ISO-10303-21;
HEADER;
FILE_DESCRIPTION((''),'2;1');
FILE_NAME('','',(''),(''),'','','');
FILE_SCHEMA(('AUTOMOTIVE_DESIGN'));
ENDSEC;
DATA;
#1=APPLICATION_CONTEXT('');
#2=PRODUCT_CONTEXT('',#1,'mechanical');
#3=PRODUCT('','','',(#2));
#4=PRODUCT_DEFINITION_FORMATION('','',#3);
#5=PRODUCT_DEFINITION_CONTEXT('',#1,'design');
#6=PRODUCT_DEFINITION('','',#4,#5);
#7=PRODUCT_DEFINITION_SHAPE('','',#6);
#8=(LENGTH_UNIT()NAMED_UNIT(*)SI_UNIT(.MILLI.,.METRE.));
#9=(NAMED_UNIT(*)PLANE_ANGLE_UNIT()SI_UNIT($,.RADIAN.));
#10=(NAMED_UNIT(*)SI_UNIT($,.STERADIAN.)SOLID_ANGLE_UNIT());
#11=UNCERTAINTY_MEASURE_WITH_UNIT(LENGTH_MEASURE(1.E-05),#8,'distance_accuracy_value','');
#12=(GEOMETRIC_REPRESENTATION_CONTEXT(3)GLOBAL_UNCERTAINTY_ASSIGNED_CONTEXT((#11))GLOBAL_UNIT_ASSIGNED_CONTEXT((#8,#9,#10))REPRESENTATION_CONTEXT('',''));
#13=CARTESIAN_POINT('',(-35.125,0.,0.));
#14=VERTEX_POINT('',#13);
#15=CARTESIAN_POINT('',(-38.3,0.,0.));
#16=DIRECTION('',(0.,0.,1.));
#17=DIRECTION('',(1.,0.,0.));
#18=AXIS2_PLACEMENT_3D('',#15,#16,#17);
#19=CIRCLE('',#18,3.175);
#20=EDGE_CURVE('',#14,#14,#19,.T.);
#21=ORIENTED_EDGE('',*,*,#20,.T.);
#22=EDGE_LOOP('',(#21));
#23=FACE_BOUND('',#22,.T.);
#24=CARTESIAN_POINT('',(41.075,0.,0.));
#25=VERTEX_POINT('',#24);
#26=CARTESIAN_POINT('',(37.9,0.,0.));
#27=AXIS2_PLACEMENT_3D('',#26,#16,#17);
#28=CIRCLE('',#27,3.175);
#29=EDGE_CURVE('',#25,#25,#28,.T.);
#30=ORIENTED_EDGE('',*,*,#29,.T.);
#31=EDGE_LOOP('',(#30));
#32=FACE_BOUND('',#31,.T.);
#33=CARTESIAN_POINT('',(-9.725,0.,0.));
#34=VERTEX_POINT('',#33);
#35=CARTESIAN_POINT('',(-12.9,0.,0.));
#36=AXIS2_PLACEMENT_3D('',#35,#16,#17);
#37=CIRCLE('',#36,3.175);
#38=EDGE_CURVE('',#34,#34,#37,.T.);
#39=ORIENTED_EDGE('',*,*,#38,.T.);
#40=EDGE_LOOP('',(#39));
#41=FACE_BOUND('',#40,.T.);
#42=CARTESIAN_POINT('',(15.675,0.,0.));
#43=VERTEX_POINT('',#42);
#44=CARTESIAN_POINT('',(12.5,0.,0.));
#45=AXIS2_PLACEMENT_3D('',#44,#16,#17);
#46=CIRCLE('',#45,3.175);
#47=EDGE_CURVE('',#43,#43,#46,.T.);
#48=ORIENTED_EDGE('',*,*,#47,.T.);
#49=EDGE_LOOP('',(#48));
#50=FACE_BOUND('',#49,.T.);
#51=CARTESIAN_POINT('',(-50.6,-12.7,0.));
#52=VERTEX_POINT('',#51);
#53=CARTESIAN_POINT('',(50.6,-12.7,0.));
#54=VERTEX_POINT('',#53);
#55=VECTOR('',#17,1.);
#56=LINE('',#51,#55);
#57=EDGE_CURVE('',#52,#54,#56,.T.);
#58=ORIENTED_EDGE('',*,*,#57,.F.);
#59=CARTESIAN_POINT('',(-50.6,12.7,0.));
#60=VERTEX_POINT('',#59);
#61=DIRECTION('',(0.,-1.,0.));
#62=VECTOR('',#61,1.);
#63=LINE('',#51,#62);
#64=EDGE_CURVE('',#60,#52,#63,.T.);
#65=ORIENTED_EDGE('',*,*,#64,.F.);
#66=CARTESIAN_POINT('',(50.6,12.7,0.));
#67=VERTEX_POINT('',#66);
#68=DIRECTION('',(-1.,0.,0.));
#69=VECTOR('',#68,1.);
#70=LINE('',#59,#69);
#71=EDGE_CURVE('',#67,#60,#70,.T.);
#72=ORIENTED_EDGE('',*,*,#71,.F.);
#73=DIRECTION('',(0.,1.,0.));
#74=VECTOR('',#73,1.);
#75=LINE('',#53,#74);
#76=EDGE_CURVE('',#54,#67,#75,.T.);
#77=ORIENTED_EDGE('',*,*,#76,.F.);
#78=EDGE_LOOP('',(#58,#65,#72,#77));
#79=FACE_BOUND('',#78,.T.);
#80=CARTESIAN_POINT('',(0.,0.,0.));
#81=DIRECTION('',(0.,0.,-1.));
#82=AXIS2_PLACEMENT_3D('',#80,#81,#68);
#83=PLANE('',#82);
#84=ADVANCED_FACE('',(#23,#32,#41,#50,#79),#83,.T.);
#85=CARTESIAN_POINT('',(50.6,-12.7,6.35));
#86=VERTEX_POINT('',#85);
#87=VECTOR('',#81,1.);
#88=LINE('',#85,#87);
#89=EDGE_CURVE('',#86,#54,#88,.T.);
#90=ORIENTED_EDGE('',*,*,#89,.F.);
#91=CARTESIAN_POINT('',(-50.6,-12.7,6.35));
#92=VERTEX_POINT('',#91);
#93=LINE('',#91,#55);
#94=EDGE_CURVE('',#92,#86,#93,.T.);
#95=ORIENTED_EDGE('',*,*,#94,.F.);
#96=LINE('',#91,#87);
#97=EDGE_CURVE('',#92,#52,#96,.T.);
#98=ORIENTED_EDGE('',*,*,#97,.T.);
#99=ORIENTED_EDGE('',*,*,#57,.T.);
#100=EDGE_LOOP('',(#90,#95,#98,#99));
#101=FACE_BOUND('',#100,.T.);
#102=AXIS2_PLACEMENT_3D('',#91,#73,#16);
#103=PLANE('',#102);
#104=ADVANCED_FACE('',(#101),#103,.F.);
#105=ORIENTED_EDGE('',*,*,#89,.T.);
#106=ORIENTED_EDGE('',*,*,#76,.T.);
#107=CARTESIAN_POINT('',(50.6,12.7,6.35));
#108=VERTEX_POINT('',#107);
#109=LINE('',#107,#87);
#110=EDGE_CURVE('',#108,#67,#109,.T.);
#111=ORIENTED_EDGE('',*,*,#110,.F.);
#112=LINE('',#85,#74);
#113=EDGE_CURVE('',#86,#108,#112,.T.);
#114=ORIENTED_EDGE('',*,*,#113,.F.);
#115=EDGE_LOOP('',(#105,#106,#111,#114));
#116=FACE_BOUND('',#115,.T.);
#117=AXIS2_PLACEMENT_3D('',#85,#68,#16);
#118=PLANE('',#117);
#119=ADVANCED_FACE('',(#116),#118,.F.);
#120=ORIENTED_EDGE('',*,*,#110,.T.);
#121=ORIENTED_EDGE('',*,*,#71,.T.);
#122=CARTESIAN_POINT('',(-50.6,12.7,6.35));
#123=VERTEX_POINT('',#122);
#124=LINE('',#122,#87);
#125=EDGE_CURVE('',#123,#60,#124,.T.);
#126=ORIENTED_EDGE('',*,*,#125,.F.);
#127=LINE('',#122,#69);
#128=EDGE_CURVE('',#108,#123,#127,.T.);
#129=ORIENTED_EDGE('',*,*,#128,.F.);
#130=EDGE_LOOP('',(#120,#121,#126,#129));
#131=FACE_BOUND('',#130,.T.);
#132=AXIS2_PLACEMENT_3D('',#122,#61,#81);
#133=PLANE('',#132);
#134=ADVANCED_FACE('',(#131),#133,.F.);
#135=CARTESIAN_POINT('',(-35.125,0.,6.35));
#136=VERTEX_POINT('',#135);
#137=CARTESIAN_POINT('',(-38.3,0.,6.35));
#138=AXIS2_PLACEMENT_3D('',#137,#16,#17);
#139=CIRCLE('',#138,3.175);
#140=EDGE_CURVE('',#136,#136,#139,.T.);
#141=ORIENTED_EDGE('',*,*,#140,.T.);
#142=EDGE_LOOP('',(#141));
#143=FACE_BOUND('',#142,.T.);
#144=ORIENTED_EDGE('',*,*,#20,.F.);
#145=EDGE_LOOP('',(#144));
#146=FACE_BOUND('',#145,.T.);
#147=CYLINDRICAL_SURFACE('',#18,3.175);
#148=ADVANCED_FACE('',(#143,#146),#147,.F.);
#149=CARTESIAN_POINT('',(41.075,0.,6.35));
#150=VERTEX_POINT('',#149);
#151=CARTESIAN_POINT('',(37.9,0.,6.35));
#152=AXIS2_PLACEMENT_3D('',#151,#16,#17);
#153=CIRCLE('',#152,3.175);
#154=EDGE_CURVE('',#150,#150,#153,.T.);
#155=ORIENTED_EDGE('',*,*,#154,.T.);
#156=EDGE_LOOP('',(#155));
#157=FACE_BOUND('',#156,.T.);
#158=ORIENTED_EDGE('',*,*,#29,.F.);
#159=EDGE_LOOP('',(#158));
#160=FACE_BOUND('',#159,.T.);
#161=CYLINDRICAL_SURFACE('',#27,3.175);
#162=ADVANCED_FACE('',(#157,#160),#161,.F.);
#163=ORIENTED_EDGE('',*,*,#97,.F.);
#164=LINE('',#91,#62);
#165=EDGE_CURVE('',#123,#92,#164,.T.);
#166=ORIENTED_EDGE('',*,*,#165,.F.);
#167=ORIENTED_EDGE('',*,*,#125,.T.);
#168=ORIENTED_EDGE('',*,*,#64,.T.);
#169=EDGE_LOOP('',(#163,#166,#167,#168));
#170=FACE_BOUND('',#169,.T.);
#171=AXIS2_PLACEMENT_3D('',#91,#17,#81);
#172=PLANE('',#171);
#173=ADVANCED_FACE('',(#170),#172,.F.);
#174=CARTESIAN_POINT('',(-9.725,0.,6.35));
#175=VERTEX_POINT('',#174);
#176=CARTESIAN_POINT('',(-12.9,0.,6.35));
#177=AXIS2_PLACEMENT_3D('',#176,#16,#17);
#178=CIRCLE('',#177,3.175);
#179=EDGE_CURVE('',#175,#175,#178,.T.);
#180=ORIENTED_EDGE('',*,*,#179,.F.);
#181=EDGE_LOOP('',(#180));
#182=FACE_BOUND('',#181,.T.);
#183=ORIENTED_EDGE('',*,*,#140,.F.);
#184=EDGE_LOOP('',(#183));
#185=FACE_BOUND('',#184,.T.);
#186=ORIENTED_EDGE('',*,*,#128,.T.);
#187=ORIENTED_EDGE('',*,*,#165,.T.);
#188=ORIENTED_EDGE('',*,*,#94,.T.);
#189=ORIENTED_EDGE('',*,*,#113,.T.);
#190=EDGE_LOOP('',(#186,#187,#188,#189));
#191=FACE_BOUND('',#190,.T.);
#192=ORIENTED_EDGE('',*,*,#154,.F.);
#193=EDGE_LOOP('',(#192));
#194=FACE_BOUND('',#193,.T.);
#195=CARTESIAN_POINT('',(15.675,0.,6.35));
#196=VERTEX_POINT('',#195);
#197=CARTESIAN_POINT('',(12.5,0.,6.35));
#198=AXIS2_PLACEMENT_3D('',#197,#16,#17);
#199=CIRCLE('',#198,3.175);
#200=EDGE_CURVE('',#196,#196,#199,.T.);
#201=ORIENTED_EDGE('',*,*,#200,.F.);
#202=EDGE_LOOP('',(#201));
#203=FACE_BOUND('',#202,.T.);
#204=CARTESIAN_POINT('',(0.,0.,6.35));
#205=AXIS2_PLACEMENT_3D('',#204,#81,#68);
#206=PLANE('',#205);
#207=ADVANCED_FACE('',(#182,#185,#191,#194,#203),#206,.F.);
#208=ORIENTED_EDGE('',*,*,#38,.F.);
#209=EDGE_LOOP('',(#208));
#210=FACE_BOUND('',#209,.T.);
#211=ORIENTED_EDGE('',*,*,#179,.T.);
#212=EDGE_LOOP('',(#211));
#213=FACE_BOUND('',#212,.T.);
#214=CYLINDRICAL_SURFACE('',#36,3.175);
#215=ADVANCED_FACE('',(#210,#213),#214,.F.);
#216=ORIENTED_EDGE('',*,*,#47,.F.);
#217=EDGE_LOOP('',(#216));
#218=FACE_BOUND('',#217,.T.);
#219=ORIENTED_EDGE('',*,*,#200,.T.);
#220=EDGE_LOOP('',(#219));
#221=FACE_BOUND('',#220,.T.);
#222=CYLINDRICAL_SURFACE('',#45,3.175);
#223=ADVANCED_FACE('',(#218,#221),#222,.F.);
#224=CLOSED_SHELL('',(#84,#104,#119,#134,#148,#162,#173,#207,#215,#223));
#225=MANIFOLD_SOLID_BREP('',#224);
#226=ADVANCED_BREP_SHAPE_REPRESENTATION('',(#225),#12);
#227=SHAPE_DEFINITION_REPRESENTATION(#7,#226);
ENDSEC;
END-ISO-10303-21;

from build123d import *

# Parameters (mm, degrees)
SKETCH1_W           = 101.2
SKETCH1_H           = 25.4
BOSS_EXTRUDE1_DEPTH = 6.35
SKETCH2_R           = 3.175
CUT_EXTRUDE1_DEPTH  = 6.35


with BuildPart() as part:
    # Sketch1 → Boss-Extrude1 (new body)
    with BuildSketch(Plane.XY):
        Rectangle(SKETCH1_W, SKETCH1_H)
    extrude(amount=BOSS_EXTRUDE1_DEPTH)

    # Sketch2 → Cut-Extrude1 (cut)
    with BuildSketch(Plane.XY.offset(6.35)):
        with Locations((-38.3, 0)):
            Circle(SKETCH2_R)
        with Locations((12.5, 0)):
            Circle(SKETCH2_R)
        with Locations((37.9, 0)):
            Circle(SKETCH2_R)
        with Locations((-12.9, 0)):
            Circle(SKETCH2_R)
    extrude(amount=-CUT_EXTRUDE1_DEPTH, mode=Mode.SUBTRACT)


solid = part.part
